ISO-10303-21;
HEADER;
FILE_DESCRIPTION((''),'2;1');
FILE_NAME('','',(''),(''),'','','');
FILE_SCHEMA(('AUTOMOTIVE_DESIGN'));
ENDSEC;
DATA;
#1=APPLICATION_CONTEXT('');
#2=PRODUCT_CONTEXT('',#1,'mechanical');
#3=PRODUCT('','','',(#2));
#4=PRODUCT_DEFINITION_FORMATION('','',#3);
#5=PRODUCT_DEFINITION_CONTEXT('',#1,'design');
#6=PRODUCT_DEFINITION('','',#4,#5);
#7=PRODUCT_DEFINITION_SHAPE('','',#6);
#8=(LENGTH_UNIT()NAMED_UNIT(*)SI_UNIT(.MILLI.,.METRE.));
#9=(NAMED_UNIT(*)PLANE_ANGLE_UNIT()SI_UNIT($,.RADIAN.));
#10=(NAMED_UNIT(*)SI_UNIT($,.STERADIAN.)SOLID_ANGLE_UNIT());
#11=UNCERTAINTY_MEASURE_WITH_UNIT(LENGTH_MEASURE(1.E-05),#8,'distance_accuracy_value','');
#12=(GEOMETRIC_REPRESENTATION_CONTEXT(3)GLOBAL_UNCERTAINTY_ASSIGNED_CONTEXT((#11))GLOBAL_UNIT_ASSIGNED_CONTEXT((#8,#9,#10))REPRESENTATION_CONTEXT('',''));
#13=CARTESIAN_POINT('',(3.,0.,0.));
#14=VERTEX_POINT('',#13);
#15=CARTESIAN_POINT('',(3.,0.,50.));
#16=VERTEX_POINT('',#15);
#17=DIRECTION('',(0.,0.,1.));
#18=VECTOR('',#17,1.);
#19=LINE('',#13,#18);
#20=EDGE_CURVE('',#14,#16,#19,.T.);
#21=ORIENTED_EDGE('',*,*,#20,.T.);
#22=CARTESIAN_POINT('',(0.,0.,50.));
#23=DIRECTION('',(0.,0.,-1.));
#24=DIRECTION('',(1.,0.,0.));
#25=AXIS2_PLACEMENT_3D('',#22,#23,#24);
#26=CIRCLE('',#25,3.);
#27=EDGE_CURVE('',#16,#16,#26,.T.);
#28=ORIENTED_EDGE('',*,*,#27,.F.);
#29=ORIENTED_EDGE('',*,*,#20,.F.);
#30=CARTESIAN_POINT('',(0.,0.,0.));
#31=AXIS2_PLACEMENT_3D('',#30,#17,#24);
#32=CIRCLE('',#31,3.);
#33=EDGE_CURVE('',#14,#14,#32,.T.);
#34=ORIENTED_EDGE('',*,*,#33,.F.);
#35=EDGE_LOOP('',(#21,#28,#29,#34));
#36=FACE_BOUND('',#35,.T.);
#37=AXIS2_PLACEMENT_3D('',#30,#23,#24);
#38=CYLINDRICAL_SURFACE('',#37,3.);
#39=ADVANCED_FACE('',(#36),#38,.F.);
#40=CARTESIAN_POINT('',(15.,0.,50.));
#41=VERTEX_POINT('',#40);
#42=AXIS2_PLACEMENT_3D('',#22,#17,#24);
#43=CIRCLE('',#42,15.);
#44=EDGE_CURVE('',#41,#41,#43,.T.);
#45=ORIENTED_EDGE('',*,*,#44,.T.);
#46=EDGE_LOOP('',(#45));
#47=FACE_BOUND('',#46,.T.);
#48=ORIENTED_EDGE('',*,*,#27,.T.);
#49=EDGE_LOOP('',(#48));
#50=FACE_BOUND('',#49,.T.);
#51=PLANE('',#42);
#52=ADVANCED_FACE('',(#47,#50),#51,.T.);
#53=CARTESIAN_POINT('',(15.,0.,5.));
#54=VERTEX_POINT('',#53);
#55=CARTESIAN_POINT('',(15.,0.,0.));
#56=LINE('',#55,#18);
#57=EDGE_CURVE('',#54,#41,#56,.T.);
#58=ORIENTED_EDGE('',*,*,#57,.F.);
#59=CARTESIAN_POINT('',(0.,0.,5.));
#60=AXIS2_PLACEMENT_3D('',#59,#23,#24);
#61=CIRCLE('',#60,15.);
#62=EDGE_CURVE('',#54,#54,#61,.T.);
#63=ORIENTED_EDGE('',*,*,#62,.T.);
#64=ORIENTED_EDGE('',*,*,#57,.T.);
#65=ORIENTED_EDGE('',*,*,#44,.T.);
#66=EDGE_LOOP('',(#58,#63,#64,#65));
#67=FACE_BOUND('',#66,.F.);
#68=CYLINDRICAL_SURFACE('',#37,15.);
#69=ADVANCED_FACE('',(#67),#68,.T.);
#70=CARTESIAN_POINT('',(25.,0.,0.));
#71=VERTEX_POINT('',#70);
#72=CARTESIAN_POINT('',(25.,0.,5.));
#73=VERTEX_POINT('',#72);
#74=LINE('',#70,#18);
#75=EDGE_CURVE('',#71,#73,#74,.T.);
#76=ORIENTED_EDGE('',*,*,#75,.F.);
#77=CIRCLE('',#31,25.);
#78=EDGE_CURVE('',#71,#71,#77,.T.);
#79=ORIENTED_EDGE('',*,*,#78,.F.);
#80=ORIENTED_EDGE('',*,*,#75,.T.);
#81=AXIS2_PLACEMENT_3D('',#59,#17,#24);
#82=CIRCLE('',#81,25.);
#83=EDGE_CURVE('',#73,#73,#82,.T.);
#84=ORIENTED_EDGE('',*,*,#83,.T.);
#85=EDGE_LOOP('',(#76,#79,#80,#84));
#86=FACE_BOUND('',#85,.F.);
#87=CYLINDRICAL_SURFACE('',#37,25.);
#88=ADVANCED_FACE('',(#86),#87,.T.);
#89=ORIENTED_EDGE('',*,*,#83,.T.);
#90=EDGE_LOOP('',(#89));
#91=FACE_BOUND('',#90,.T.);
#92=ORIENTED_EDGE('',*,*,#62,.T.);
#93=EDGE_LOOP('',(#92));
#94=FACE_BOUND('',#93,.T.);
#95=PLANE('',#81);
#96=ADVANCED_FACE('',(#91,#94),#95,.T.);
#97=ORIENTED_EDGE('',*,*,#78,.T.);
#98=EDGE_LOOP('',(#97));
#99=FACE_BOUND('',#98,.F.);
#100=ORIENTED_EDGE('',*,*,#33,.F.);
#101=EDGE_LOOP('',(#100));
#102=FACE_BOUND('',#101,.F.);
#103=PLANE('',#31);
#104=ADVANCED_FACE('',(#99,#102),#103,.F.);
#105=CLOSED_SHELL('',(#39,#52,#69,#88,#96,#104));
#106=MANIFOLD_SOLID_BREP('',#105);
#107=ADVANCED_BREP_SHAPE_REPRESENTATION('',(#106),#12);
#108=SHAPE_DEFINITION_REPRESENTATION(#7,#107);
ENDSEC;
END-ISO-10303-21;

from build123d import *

# Parameters (mm, degrees)
F0_R     = 15
F1_DEPTH = 50
F2_R     = 25
F3_DEPTH = 5
F4_R     = 3
F5_DEPTH = 60


with BuildPart() as f1:
    # F0 (on Top) → F1 (new body)
    with BuildSketch(Plane.XY):
        Circle(F0_R)
    extrude(amount=F1_DEPTH)

    # F2 (on Top) → F3 (join)
    with BuildSketch(Plane.XY):
        Circle(F2_R)
    extrude(amount=F3_DEPTH)


with BuildPart() as f5:
    # F4 (on Top) → F5 (new body)
    with BuildSketch(Plane.XY):
        Circle(F4_R)
    extrude(amount=F5_DEPTH)


with BuildPart() as f1_1:
    add(f1.part)

    # F6: cut F5
    add(f5.part, mode=Mode.SUBTRACT)


solid = f1_1.part
